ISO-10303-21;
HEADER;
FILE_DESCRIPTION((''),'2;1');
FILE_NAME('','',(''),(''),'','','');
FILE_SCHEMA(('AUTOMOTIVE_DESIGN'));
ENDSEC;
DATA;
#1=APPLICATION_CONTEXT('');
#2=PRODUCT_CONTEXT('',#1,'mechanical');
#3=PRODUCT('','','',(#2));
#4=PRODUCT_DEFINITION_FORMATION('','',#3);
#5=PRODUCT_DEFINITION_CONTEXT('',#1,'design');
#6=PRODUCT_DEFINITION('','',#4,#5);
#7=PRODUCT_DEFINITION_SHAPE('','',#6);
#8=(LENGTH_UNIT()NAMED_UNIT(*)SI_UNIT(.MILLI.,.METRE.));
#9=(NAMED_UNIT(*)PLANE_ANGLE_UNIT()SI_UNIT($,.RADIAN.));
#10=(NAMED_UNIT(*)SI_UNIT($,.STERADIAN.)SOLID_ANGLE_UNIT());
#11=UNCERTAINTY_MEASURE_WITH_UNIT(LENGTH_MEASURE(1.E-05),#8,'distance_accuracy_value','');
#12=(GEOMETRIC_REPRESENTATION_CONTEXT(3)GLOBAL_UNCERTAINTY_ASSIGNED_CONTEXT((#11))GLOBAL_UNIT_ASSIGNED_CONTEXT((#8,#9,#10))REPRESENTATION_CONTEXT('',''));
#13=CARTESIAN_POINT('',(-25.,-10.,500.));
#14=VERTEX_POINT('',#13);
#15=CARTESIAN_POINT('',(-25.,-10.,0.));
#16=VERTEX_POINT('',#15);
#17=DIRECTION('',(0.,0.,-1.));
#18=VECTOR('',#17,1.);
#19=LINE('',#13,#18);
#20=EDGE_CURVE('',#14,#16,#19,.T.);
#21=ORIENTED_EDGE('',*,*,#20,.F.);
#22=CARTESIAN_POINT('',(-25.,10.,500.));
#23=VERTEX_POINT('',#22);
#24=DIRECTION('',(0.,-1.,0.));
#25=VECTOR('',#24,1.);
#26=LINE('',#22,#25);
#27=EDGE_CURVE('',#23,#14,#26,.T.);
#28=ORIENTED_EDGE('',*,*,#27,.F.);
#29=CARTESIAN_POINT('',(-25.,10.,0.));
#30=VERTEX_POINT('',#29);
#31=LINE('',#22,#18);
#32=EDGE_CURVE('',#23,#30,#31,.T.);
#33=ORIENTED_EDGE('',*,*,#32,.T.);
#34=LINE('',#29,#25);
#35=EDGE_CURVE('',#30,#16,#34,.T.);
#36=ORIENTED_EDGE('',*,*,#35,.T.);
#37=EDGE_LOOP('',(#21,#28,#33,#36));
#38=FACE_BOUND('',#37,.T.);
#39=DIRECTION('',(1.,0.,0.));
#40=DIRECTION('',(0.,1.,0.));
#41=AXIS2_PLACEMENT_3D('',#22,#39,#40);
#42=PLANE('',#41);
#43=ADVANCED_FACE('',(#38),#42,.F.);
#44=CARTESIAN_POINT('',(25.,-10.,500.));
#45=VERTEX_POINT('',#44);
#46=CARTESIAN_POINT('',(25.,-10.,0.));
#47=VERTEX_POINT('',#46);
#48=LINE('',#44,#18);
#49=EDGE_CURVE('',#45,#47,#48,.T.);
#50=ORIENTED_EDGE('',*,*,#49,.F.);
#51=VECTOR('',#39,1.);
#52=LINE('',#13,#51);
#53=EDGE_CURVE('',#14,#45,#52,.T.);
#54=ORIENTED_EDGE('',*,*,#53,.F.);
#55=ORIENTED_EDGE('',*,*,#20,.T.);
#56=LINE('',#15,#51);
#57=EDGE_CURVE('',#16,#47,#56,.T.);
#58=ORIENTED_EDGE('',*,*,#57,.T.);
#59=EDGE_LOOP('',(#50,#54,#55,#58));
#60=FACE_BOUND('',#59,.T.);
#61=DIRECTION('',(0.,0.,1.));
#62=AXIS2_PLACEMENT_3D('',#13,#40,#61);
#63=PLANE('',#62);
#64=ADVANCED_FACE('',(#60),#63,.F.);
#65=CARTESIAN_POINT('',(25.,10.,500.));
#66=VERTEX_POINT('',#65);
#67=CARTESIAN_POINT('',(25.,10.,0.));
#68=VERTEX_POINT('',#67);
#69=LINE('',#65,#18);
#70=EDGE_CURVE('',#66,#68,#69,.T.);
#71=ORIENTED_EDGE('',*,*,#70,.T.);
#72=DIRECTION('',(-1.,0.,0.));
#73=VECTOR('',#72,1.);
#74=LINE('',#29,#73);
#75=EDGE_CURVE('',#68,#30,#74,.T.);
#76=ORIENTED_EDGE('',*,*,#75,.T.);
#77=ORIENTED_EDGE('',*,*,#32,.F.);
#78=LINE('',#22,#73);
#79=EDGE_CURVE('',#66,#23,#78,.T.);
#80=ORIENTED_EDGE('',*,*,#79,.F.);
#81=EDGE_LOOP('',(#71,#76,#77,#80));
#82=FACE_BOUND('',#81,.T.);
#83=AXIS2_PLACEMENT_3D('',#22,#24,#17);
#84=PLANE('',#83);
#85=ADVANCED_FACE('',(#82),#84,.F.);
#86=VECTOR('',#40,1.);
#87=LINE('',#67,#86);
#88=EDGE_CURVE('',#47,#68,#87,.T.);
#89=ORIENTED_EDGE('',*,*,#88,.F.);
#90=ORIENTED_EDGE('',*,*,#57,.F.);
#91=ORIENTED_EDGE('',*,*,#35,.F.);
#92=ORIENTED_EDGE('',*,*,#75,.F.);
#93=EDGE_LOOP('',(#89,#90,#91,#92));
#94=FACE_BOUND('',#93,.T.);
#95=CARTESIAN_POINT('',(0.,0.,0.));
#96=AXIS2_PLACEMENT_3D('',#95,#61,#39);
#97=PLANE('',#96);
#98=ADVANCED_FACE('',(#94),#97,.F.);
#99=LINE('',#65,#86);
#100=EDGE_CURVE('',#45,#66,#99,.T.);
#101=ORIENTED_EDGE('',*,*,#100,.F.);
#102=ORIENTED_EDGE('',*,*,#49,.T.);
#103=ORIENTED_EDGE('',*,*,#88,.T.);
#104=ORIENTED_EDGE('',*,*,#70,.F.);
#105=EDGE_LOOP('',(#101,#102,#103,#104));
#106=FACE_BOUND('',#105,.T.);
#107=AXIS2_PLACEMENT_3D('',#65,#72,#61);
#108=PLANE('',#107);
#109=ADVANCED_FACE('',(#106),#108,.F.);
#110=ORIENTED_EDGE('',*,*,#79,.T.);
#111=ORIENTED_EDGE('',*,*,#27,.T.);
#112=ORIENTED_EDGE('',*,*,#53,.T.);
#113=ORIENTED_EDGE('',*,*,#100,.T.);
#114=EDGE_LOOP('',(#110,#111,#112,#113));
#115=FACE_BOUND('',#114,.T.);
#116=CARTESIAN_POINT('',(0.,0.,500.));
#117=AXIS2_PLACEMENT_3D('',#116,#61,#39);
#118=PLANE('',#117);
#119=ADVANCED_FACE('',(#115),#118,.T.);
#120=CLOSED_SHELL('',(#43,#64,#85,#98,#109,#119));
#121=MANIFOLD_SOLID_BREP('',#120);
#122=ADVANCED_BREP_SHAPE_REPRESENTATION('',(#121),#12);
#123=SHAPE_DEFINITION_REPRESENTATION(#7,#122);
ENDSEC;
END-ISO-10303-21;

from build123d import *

# Parameters (mm, degrees)
SKETCH_1_W      = 50
SKETCH_1_H      = 20
EXTRUDE_1_DEPTH = 500


with BuildPart() as part:
    # ｽｹｯﾁ1 → ﾎﾞｽ - 押し出し1 (new body)
    with BuildSketch(Plane.XY):
        Rectangle(SKETCH_1_W, SKETCH_1_H)
    extrude(amount=EXTRUDE_1_DEPTH)


solid = part.part
